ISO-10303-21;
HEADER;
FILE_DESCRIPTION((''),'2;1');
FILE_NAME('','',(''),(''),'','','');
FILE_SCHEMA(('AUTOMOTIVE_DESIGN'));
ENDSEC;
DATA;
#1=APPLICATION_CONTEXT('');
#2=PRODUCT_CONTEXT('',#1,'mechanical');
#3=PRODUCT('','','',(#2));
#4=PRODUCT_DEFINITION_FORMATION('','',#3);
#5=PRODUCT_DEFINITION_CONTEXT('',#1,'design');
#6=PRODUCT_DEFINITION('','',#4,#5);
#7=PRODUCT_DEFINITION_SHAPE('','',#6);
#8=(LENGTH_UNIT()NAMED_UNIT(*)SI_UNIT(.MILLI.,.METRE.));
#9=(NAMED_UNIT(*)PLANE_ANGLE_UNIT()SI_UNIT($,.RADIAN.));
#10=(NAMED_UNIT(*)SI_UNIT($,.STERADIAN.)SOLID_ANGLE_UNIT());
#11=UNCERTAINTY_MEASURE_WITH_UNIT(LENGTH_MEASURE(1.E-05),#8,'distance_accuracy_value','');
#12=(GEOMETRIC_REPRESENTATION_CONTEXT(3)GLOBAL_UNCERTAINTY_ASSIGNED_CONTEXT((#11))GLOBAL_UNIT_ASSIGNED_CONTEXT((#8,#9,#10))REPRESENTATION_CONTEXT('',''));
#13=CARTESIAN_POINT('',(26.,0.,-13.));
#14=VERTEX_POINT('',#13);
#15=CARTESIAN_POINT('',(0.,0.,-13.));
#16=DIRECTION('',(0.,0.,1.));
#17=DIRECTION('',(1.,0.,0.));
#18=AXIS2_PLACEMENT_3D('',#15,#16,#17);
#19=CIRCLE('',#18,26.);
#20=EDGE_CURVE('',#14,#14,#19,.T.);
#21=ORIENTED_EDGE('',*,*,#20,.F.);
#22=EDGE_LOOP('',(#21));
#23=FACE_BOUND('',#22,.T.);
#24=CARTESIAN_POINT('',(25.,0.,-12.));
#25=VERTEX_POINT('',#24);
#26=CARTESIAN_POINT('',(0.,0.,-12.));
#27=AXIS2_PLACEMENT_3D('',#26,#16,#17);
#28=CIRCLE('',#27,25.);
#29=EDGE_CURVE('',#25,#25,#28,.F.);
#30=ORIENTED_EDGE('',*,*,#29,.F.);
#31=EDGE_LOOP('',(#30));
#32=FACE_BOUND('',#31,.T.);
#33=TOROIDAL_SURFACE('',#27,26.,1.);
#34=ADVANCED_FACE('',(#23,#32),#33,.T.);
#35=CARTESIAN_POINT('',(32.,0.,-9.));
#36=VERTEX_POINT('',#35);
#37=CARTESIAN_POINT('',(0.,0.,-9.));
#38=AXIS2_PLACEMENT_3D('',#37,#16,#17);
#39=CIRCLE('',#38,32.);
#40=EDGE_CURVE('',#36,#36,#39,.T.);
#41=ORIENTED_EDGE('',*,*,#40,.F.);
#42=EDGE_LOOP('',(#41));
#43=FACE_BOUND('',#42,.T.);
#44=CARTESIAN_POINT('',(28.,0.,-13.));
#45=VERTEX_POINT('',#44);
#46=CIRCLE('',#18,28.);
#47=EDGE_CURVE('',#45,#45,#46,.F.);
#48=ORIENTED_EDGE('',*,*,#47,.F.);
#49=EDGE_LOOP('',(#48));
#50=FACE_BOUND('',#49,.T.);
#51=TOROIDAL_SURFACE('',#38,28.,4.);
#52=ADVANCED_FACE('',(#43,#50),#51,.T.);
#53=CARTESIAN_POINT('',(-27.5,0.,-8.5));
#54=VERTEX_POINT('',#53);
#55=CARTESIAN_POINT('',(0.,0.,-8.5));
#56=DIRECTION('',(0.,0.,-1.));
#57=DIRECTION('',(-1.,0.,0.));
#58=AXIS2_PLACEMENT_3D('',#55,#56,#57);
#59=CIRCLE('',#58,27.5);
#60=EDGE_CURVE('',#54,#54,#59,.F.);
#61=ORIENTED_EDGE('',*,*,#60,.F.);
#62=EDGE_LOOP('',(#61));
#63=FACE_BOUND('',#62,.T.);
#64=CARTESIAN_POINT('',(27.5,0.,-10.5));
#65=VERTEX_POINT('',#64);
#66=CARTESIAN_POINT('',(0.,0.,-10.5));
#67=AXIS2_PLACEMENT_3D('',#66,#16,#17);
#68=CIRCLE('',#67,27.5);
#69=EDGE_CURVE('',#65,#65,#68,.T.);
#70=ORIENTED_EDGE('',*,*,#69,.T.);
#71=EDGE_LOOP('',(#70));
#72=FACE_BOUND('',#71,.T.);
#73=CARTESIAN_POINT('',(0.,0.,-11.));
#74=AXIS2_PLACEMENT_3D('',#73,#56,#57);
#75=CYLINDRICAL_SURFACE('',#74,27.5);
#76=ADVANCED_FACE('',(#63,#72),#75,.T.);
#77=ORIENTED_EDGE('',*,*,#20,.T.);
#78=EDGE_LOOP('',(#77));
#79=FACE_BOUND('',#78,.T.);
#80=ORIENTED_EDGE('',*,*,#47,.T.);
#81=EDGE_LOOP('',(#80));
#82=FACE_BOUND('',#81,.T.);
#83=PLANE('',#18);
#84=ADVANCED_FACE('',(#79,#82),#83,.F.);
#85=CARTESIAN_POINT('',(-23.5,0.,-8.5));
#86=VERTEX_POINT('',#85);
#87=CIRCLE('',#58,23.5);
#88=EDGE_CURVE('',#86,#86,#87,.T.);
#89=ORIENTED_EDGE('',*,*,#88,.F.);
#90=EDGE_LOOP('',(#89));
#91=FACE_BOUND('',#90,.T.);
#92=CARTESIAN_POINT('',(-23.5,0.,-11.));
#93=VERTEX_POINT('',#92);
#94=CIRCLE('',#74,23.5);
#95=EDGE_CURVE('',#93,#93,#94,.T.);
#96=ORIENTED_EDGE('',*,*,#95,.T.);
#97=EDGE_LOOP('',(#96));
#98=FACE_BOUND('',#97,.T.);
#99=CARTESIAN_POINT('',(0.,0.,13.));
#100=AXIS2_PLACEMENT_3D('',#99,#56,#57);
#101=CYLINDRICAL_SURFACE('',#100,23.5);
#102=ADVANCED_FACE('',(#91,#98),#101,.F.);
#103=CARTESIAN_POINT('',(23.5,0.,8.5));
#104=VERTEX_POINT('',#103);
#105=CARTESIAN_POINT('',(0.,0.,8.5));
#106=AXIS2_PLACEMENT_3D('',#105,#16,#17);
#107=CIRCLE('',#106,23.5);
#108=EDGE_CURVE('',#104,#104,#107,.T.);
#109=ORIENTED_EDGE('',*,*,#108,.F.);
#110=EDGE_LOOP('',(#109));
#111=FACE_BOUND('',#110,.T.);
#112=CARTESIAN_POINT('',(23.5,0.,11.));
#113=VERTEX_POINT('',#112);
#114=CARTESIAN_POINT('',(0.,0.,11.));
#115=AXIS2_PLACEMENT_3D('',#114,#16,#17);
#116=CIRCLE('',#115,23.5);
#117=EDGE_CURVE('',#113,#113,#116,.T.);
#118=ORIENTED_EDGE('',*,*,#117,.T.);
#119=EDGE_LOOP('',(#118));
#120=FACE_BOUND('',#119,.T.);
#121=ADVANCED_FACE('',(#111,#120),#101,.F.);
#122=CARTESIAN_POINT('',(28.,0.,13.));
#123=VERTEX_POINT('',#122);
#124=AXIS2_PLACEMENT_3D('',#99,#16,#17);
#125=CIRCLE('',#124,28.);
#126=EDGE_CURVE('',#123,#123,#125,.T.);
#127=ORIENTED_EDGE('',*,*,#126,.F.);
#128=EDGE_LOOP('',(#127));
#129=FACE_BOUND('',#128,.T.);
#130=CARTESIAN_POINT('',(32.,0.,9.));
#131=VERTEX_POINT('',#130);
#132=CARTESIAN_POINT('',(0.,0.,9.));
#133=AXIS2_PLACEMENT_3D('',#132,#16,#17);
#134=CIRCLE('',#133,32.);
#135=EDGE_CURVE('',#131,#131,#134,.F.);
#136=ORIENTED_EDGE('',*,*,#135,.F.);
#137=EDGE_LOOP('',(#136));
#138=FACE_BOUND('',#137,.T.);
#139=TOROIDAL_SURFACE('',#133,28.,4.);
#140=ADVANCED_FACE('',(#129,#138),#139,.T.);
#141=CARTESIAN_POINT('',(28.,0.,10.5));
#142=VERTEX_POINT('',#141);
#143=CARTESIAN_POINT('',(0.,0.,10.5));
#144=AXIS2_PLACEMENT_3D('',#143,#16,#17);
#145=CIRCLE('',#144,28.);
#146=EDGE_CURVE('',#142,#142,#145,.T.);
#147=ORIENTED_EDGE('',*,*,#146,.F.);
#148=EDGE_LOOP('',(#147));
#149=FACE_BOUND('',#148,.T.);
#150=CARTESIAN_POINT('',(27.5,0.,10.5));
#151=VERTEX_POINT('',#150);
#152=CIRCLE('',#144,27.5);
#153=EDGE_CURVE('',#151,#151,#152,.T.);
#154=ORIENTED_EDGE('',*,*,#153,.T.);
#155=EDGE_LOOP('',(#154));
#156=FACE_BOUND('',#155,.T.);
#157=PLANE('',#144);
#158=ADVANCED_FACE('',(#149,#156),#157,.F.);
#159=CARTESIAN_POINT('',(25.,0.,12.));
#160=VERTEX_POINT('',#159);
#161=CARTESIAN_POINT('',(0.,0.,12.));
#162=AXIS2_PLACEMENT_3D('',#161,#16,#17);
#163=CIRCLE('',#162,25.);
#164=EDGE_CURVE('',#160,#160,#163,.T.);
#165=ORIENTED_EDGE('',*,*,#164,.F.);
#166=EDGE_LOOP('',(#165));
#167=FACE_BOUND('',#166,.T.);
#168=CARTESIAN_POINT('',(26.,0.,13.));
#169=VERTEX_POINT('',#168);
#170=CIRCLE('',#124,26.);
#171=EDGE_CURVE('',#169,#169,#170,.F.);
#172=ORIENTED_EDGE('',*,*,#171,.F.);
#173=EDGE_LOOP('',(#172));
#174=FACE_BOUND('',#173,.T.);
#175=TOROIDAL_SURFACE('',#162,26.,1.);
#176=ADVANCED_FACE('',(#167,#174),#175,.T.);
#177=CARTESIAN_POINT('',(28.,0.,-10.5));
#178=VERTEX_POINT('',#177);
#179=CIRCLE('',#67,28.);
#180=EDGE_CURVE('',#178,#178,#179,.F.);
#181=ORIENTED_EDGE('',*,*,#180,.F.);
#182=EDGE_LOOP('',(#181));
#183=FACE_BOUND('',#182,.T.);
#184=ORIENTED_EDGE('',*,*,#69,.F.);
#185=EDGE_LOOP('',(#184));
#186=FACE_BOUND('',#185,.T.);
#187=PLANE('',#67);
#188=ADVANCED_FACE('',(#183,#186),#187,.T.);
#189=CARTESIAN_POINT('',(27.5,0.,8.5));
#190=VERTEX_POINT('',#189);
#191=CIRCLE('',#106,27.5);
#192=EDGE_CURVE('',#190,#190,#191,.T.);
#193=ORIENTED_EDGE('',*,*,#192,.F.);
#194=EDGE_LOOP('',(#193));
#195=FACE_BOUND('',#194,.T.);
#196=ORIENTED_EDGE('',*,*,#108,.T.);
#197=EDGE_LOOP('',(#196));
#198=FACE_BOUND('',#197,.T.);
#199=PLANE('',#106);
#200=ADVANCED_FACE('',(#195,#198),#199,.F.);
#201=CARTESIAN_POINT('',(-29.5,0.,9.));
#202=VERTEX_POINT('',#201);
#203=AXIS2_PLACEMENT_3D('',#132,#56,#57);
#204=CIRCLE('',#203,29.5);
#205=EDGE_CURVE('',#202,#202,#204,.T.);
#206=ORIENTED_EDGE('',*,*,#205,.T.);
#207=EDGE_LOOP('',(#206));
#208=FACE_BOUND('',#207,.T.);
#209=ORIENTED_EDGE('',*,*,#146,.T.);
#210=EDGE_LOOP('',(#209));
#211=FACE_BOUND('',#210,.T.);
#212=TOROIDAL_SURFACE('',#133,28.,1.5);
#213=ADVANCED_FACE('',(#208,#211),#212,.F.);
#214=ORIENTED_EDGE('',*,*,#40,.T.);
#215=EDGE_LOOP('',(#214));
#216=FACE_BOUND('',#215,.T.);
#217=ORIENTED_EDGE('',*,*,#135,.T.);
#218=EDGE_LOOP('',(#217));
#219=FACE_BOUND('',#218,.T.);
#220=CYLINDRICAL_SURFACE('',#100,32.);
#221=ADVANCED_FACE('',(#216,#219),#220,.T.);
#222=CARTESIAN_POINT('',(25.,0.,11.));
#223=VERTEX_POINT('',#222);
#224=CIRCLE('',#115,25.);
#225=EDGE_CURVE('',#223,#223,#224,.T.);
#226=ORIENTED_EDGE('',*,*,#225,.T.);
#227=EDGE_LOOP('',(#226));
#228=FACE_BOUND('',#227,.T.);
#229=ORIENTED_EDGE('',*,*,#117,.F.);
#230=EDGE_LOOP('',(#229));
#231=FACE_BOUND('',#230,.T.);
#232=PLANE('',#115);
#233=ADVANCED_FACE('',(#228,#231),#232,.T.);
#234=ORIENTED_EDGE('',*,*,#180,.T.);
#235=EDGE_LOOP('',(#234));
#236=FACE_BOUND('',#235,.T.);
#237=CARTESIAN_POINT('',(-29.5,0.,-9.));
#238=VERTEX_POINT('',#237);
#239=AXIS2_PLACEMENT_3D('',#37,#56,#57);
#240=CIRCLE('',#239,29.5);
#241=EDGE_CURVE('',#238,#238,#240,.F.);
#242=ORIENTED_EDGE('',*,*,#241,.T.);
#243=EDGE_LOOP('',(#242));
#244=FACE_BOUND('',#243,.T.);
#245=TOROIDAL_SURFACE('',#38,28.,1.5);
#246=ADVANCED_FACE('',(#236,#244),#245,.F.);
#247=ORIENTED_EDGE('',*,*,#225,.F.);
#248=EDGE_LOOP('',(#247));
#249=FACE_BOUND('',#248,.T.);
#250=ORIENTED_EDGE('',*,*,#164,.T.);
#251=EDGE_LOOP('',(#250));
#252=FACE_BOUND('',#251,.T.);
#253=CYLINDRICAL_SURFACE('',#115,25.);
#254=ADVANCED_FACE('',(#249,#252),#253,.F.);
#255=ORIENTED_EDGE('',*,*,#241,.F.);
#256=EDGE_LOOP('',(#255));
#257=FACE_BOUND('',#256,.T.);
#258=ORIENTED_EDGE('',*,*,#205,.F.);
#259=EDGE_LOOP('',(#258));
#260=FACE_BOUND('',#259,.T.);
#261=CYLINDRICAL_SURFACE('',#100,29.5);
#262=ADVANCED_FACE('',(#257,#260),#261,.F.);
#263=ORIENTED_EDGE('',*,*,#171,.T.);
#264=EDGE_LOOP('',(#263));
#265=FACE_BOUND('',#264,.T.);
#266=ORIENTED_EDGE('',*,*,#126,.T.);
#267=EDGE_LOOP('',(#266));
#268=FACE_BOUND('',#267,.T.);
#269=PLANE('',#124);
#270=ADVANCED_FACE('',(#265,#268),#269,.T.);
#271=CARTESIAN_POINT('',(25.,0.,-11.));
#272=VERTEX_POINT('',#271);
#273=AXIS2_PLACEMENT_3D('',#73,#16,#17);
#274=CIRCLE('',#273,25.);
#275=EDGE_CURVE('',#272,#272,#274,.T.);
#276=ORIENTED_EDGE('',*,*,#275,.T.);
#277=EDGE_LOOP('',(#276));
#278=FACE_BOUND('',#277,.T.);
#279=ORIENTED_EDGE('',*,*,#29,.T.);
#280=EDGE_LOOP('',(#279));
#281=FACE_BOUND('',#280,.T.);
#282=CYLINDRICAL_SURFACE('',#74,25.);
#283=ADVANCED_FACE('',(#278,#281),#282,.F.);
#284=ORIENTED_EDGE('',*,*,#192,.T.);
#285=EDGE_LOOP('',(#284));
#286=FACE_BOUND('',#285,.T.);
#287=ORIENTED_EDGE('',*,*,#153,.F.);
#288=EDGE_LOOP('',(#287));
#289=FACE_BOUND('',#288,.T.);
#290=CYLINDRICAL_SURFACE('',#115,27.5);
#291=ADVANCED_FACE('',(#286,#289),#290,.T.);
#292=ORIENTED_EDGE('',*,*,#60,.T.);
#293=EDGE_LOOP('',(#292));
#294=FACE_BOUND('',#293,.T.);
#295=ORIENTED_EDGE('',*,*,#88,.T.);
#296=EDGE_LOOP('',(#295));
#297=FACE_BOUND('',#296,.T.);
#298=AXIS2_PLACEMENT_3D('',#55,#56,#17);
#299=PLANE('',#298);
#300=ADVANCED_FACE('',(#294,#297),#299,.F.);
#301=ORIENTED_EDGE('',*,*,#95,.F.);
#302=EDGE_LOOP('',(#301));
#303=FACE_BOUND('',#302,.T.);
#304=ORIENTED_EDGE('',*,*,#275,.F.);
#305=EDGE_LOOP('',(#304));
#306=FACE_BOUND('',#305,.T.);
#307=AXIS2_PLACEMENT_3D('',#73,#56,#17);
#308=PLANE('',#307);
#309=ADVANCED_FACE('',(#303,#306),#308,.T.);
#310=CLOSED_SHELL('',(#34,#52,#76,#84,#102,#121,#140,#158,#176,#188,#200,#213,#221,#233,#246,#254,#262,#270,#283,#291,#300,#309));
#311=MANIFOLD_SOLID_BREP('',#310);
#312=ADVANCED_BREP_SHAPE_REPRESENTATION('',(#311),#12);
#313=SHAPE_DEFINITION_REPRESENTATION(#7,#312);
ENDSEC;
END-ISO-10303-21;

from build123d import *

# Parameters (mm, degrees)
ESQUISSE1_R             = 32
ESQUISSE1_R_2           = 23.5
BASE_EXTRUSION_DEPTH    = 13
CONG_1_R                = 4
ESQUISSE2_R             = 25
ENL_V_MAT_EXTRU_1_DEPTH = 2
CONG_2_R                = 1
COQUE1_T                = -2.5


with BuildPart() as part:
    # Esquisse1 → Base-Extrusion (new body, symmetric)
    with BuildSketch(Plane.XY):
        Circle(ESQUISSE1_R)
        Circle(ESQUISSE1_R_2, mode=Mode.SUBTRACT)
    extrude(amount=BASE_EXTRUSION_DEPTH, both=True)

    # Congé1
    cong_1_edges = [part.edges().sort_by_distance(p)[0] for p in [
        (-32, 0, -13),
        (-32, 0, 13),
    ]]
    fillet(cong_1_edges, radius=CONG_1_R)

    # Esquisse2 → Enlèv. mat.-Extru.1 (cut)
    with BuildSketch(Plane.XY.offset(13)):
        Circle(ESQUISSE2_R)
    enl_v_mat_extru_1 = extrude(amount=-ENL_V_MAT_EXTRU_1_DEPTH, mode=Mode.SUBTRACT)

    # Symétrie1: Enlèv. mat.-Extru.1 across plane
    add(enl_v_mat_extru_1.mirror(Plane.XY), mode=Mode.SUBTRACT)

    # Congé2
    cong_2_edges = [part.edges().sort_by_distance(p)[0] for p in [
        (-25, 0, -13),
        (-25, 0, 13),
    ]]
    fillet(cong_2_edges, radius=CONG_2_R)

    # Coque1
    coque1_openings = [part.faces().sort_by_distance(p)[0] for p in [
        (-23.5, 0, 0),
    ]]
    offset(amount=COQUE1_T, openings=coque1_openings, kind=Kind.INTERSECTION)


solid = part.part
